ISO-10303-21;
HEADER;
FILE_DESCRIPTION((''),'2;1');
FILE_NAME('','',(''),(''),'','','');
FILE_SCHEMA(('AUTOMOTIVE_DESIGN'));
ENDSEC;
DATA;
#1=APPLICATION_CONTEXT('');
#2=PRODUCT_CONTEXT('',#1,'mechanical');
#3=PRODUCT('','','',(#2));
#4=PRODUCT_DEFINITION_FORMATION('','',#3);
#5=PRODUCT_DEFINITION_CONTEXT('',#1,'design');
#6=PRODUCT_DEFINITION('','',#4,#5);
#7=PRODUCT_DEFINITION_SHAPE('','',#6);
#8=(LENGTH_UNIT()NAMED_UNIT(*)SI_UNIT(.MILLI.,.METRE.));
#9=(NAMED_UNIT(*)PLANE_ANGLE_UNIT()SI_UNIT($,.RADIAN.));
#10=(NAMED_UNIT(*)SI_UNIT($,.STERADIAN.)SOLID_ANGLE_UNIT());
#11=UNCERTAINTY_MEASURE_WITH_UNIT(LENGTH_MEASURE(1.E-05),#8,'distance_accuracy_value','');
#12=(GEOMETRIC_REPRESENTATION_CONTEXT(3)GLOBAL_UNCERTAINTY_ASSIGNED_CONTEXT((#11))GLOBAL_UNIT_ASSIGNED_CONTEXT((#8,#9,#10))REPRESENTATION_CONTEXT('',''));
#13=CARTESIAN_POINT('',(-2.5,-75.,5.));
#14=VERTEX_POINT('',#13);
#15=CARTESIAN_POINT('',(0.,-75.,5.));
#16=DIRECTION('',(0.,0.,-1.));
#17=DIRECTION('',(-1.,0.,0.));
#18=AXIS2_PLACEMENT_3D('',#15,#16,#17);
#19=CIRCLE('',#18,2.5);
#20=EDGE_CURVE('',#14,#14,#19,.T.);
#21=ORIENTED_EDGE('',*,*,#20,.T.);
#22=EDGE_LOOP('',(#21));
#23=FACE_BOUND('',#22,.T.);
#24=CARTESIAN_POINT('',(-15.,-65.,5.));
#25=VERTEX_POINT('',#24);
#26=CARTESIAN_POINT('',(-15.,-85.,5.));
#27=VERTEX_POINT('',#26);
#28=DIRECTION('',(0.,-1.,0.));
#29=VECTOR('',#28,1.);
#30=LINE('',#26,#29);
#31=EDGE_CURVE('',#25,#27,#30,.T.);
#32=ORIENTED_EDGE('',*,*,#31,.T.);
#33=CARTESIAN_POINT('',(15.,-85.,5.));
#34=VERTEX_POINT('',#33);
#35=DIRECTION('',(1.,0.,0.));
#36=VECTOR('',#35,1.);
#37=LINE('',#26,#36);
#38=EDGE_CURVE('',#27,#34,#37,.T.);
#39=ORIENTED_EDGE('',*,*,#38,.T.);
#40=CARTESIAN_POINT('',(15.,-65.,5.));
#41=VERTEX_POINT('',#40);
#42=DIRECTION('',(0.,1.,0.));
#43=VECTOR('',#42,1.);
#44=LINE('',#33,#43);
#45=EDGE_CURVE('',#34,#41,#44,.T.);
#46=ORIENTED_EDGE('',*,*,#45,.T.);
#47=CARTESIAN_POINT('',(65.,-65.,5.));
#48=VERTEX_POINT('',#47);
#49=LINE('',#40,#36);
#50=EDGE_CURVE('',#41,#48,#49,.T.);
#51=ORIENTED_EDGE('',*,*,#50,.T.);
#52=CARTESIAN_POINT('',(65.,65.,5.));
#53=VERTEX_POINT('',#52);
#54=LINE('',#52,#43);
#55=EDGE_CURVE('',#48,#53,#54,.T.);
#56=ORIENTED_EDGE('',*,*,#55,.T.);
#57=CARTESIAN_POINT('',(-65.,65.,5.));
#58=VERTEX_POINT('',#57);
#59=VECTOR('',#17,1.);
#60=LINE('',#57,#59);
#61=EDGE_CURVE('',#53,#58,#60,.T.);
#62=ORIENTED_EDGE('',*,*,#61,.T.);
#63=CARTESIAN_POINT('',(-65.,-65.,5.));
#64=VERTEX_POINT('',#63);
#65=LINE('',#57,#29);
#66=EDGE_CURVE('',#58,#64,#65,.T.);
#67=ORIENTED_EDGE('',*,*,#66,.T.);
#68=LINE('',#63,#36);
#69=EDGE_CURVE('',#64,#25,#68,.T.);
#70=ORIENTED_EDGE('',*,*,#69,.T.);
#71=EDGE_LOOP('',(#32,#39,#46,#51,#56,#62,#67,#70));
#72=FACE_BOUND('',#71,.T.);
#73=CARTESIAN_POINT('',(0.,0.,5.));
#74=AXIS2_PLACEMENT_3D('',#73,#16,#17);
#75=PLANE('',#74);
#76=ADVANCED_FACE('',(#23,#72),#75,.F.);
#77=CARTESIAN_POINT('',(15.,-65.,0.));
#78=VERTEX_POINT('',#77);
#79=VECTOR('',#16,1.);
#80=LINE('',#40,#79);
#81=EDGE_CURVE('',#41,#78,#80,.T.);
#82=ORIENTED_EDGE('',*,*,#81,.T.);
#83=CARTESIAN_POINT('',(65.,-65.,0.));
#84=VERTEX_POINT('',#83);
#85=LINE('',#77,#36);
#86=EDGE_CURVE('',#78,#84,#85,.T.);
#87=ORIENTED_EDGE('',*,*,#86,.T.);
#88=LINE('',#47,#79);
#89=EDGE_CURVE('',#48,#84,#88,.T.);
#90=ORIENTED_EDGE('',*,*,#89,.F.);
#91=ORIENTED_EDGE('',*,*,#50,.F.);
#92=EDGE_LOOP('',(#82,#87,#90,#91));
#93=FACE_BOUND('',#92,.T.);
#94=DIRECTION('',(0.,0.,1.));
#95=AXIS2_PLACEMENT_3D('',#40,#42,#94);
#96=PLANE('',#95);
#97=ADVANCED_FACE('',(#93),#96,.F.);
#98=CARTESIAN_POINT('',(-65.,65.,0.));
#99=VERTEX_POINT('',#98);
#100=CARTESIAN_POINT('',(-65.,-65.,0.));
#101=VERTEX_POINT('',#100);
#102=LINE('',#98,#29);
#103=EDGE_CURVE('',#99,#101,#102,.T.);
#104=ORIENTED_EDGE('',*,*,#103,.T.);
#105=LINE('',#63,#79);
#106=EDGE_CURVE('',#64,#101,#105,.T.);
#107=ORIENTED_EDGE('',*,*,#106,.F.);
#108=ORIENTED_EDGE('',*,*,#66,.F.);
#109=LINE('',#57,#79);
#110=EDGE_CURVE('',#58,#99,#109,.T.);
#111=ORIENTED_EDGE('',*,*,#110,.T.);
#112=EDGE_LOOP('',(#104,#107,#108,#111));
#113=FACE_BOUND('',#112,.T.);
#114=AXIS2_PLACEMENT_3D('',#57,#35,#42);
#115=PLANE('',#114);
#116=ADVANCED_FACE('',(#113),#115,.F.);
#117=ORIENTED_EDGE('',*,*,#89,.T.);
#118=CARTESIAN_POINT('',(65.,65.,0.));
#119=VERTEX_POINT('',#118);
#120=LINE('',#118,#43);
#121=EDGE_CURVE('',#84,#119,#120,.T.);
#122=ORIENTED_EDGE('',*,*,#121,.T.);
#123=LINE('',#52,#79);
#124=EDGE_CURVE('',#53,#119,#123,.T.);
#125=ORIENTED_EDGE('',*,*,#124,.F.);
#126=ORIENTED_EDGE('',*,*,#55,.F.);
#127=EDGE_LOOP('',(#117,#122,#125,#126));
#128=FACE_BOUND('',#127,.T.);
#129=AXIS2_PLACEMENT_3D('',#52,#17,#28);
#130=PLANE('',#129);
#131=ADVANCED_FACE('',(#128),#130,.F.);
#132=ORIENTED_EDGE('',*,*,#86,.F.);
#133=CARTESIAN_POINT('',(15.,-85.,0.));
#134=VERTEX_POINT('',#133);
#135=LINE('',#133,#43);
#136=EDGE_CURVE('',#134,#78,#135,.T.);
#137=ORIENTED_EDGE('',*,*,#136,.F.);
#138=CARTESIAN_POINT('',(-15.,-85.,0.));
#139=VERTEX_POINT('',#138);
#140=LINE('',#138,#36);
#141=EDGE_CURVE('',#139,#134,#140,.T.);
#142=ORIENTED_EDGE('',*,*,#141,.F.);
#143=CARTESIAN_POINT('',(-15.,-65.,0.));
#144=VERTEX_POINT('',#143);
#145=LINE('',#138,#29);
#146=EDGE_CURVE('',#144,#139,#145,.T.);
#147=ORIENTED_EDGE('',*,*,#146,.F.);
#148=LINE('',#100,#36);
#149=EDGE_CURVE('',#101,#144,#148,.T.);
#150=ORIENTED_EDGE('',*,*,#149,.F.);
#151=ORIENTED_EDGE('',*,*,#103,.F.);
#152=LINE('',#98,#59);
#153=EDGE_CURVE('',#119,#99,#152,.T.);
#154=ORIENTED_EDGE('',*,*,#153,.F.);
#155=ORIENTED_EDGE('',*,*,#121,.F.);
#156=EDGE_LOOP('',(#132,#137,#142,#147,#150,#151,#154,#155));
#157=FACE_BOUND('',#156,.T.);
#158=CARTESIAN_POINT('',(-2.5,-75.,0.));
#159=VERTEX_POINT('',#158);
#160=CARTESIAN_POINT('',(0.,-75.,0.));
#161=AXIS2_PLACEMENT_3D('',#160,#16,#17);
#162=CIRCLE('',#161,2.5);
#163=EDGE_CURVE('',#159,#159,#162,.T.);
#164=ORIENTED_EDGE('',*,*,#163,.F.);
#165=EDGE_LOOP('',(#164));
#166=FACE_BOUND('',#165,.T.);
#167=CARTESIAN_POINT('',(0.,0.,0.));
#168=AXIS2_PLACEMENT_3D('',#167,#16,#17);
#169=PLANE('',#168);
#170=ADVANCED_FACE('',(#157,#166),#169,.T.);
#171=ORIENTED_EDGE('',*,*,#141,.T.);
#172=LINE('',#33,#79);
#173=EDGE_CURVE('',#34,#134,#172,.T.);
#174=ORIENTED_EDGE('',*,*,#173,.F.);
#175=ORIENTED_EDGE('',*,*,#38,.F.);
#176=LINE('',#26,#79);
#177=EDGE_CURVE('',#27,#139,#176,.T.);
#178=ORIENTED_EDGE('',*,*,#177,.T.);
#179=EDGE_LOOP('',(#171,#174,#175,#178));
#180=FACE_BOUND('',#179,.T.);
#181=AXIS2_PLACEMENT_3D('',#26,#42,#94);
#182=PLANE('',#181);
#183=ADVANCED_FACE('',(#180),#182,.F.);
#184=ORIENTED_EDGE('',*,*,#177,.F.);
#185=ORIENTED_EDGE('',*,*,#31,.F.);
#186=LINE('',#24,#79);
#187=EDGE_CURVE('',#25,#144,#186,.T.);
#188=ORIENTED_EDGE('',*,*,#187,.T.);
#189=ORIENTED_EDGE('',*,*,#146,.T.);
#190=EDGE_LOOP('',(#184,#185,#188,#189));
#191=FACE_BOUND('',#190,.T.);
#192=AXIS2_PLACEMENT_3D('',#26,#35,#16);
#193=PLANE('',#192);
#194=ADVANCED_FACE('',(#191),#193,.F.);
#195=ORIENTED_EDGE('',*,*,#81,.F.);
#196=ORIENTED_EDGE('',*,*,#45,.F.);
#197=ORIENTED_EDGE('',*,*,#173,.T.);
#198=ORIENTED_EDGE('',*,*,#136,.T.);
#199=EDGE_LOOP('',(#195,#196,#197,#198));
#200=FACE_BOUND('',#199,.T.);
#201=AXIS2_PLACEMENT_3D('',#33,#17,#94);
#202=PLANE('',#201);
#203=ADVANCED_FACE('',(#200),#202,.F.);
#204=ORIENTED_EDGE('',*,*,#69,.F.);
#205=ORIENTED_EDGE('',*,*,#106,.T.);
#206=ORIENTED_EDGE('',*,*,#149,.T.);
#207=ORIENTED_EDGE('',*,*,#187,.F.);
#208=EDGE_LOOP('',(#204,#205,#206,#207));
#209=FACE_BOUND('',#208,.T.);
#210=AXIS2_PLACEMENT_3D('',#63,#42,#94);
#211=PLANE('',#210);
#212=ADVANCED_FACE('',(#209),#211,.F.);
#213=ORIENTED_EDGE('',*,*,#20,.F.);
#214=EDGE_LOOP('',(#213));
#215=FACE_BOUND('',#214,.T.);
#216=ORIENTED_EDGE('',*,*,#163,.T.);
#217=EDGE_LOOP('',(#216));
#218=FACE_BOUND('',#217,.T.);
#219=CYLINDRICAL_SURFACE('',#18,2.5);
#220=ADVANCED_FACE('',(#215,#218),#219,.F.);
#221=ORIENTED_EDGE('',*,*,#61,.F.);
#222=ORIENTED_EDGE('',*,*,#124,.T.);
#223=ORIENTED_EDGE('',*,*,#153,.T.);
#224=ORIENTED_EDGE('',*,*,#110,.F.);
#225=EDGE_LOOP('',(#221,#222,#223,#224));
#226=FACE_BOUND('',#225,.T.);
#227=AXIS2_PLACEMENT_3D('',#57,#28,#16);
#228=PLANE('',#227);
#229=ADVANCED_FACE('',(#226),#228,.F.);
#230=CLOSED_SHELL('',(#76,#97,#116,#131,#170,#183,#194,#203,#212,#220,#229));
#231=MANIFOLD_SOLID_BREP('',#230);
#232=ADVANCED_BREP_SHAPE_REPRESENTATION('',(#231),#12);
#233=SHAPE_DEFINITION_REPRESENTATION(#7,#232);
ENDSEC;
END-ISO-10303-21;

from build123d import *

# Parameters (mm, degrees)
P_IDAT_VYSUNUT_M1_DEPTH  = 5
SKICA2_R                 = 2.5
ODEBRAT_VYSUNUT_M1_DEPTH = 5


with BuildPart() as part:
    # Skica1 → Přidat vysunutím1 (new body)
    with BuildSketch(Plane.XY):
        Polygon((-15, -85), (-15, -65), (-65, -65), (-65, 65), (65, 65), (65, -65), (15, -65), (15, -85), align=None)
    extrude(amount=P_IDAT_VYSUNUT_M1_DEPTH)

    # Skica2 → Odebrat vysunutím1 (cut)
    with BuildSketch(Plane(origin=(0, 0, 0), x_dir=(-1, 0, 0), z_dir=(0, 0, -1))):
        with Locations((0, -75)):
            Circle(SKICA2_R)
    extrude(amount=-ODEBRAT_VYSUNUT_M1_DEPTH, mode=Mode.SUBTRACT)


solid = part.part
